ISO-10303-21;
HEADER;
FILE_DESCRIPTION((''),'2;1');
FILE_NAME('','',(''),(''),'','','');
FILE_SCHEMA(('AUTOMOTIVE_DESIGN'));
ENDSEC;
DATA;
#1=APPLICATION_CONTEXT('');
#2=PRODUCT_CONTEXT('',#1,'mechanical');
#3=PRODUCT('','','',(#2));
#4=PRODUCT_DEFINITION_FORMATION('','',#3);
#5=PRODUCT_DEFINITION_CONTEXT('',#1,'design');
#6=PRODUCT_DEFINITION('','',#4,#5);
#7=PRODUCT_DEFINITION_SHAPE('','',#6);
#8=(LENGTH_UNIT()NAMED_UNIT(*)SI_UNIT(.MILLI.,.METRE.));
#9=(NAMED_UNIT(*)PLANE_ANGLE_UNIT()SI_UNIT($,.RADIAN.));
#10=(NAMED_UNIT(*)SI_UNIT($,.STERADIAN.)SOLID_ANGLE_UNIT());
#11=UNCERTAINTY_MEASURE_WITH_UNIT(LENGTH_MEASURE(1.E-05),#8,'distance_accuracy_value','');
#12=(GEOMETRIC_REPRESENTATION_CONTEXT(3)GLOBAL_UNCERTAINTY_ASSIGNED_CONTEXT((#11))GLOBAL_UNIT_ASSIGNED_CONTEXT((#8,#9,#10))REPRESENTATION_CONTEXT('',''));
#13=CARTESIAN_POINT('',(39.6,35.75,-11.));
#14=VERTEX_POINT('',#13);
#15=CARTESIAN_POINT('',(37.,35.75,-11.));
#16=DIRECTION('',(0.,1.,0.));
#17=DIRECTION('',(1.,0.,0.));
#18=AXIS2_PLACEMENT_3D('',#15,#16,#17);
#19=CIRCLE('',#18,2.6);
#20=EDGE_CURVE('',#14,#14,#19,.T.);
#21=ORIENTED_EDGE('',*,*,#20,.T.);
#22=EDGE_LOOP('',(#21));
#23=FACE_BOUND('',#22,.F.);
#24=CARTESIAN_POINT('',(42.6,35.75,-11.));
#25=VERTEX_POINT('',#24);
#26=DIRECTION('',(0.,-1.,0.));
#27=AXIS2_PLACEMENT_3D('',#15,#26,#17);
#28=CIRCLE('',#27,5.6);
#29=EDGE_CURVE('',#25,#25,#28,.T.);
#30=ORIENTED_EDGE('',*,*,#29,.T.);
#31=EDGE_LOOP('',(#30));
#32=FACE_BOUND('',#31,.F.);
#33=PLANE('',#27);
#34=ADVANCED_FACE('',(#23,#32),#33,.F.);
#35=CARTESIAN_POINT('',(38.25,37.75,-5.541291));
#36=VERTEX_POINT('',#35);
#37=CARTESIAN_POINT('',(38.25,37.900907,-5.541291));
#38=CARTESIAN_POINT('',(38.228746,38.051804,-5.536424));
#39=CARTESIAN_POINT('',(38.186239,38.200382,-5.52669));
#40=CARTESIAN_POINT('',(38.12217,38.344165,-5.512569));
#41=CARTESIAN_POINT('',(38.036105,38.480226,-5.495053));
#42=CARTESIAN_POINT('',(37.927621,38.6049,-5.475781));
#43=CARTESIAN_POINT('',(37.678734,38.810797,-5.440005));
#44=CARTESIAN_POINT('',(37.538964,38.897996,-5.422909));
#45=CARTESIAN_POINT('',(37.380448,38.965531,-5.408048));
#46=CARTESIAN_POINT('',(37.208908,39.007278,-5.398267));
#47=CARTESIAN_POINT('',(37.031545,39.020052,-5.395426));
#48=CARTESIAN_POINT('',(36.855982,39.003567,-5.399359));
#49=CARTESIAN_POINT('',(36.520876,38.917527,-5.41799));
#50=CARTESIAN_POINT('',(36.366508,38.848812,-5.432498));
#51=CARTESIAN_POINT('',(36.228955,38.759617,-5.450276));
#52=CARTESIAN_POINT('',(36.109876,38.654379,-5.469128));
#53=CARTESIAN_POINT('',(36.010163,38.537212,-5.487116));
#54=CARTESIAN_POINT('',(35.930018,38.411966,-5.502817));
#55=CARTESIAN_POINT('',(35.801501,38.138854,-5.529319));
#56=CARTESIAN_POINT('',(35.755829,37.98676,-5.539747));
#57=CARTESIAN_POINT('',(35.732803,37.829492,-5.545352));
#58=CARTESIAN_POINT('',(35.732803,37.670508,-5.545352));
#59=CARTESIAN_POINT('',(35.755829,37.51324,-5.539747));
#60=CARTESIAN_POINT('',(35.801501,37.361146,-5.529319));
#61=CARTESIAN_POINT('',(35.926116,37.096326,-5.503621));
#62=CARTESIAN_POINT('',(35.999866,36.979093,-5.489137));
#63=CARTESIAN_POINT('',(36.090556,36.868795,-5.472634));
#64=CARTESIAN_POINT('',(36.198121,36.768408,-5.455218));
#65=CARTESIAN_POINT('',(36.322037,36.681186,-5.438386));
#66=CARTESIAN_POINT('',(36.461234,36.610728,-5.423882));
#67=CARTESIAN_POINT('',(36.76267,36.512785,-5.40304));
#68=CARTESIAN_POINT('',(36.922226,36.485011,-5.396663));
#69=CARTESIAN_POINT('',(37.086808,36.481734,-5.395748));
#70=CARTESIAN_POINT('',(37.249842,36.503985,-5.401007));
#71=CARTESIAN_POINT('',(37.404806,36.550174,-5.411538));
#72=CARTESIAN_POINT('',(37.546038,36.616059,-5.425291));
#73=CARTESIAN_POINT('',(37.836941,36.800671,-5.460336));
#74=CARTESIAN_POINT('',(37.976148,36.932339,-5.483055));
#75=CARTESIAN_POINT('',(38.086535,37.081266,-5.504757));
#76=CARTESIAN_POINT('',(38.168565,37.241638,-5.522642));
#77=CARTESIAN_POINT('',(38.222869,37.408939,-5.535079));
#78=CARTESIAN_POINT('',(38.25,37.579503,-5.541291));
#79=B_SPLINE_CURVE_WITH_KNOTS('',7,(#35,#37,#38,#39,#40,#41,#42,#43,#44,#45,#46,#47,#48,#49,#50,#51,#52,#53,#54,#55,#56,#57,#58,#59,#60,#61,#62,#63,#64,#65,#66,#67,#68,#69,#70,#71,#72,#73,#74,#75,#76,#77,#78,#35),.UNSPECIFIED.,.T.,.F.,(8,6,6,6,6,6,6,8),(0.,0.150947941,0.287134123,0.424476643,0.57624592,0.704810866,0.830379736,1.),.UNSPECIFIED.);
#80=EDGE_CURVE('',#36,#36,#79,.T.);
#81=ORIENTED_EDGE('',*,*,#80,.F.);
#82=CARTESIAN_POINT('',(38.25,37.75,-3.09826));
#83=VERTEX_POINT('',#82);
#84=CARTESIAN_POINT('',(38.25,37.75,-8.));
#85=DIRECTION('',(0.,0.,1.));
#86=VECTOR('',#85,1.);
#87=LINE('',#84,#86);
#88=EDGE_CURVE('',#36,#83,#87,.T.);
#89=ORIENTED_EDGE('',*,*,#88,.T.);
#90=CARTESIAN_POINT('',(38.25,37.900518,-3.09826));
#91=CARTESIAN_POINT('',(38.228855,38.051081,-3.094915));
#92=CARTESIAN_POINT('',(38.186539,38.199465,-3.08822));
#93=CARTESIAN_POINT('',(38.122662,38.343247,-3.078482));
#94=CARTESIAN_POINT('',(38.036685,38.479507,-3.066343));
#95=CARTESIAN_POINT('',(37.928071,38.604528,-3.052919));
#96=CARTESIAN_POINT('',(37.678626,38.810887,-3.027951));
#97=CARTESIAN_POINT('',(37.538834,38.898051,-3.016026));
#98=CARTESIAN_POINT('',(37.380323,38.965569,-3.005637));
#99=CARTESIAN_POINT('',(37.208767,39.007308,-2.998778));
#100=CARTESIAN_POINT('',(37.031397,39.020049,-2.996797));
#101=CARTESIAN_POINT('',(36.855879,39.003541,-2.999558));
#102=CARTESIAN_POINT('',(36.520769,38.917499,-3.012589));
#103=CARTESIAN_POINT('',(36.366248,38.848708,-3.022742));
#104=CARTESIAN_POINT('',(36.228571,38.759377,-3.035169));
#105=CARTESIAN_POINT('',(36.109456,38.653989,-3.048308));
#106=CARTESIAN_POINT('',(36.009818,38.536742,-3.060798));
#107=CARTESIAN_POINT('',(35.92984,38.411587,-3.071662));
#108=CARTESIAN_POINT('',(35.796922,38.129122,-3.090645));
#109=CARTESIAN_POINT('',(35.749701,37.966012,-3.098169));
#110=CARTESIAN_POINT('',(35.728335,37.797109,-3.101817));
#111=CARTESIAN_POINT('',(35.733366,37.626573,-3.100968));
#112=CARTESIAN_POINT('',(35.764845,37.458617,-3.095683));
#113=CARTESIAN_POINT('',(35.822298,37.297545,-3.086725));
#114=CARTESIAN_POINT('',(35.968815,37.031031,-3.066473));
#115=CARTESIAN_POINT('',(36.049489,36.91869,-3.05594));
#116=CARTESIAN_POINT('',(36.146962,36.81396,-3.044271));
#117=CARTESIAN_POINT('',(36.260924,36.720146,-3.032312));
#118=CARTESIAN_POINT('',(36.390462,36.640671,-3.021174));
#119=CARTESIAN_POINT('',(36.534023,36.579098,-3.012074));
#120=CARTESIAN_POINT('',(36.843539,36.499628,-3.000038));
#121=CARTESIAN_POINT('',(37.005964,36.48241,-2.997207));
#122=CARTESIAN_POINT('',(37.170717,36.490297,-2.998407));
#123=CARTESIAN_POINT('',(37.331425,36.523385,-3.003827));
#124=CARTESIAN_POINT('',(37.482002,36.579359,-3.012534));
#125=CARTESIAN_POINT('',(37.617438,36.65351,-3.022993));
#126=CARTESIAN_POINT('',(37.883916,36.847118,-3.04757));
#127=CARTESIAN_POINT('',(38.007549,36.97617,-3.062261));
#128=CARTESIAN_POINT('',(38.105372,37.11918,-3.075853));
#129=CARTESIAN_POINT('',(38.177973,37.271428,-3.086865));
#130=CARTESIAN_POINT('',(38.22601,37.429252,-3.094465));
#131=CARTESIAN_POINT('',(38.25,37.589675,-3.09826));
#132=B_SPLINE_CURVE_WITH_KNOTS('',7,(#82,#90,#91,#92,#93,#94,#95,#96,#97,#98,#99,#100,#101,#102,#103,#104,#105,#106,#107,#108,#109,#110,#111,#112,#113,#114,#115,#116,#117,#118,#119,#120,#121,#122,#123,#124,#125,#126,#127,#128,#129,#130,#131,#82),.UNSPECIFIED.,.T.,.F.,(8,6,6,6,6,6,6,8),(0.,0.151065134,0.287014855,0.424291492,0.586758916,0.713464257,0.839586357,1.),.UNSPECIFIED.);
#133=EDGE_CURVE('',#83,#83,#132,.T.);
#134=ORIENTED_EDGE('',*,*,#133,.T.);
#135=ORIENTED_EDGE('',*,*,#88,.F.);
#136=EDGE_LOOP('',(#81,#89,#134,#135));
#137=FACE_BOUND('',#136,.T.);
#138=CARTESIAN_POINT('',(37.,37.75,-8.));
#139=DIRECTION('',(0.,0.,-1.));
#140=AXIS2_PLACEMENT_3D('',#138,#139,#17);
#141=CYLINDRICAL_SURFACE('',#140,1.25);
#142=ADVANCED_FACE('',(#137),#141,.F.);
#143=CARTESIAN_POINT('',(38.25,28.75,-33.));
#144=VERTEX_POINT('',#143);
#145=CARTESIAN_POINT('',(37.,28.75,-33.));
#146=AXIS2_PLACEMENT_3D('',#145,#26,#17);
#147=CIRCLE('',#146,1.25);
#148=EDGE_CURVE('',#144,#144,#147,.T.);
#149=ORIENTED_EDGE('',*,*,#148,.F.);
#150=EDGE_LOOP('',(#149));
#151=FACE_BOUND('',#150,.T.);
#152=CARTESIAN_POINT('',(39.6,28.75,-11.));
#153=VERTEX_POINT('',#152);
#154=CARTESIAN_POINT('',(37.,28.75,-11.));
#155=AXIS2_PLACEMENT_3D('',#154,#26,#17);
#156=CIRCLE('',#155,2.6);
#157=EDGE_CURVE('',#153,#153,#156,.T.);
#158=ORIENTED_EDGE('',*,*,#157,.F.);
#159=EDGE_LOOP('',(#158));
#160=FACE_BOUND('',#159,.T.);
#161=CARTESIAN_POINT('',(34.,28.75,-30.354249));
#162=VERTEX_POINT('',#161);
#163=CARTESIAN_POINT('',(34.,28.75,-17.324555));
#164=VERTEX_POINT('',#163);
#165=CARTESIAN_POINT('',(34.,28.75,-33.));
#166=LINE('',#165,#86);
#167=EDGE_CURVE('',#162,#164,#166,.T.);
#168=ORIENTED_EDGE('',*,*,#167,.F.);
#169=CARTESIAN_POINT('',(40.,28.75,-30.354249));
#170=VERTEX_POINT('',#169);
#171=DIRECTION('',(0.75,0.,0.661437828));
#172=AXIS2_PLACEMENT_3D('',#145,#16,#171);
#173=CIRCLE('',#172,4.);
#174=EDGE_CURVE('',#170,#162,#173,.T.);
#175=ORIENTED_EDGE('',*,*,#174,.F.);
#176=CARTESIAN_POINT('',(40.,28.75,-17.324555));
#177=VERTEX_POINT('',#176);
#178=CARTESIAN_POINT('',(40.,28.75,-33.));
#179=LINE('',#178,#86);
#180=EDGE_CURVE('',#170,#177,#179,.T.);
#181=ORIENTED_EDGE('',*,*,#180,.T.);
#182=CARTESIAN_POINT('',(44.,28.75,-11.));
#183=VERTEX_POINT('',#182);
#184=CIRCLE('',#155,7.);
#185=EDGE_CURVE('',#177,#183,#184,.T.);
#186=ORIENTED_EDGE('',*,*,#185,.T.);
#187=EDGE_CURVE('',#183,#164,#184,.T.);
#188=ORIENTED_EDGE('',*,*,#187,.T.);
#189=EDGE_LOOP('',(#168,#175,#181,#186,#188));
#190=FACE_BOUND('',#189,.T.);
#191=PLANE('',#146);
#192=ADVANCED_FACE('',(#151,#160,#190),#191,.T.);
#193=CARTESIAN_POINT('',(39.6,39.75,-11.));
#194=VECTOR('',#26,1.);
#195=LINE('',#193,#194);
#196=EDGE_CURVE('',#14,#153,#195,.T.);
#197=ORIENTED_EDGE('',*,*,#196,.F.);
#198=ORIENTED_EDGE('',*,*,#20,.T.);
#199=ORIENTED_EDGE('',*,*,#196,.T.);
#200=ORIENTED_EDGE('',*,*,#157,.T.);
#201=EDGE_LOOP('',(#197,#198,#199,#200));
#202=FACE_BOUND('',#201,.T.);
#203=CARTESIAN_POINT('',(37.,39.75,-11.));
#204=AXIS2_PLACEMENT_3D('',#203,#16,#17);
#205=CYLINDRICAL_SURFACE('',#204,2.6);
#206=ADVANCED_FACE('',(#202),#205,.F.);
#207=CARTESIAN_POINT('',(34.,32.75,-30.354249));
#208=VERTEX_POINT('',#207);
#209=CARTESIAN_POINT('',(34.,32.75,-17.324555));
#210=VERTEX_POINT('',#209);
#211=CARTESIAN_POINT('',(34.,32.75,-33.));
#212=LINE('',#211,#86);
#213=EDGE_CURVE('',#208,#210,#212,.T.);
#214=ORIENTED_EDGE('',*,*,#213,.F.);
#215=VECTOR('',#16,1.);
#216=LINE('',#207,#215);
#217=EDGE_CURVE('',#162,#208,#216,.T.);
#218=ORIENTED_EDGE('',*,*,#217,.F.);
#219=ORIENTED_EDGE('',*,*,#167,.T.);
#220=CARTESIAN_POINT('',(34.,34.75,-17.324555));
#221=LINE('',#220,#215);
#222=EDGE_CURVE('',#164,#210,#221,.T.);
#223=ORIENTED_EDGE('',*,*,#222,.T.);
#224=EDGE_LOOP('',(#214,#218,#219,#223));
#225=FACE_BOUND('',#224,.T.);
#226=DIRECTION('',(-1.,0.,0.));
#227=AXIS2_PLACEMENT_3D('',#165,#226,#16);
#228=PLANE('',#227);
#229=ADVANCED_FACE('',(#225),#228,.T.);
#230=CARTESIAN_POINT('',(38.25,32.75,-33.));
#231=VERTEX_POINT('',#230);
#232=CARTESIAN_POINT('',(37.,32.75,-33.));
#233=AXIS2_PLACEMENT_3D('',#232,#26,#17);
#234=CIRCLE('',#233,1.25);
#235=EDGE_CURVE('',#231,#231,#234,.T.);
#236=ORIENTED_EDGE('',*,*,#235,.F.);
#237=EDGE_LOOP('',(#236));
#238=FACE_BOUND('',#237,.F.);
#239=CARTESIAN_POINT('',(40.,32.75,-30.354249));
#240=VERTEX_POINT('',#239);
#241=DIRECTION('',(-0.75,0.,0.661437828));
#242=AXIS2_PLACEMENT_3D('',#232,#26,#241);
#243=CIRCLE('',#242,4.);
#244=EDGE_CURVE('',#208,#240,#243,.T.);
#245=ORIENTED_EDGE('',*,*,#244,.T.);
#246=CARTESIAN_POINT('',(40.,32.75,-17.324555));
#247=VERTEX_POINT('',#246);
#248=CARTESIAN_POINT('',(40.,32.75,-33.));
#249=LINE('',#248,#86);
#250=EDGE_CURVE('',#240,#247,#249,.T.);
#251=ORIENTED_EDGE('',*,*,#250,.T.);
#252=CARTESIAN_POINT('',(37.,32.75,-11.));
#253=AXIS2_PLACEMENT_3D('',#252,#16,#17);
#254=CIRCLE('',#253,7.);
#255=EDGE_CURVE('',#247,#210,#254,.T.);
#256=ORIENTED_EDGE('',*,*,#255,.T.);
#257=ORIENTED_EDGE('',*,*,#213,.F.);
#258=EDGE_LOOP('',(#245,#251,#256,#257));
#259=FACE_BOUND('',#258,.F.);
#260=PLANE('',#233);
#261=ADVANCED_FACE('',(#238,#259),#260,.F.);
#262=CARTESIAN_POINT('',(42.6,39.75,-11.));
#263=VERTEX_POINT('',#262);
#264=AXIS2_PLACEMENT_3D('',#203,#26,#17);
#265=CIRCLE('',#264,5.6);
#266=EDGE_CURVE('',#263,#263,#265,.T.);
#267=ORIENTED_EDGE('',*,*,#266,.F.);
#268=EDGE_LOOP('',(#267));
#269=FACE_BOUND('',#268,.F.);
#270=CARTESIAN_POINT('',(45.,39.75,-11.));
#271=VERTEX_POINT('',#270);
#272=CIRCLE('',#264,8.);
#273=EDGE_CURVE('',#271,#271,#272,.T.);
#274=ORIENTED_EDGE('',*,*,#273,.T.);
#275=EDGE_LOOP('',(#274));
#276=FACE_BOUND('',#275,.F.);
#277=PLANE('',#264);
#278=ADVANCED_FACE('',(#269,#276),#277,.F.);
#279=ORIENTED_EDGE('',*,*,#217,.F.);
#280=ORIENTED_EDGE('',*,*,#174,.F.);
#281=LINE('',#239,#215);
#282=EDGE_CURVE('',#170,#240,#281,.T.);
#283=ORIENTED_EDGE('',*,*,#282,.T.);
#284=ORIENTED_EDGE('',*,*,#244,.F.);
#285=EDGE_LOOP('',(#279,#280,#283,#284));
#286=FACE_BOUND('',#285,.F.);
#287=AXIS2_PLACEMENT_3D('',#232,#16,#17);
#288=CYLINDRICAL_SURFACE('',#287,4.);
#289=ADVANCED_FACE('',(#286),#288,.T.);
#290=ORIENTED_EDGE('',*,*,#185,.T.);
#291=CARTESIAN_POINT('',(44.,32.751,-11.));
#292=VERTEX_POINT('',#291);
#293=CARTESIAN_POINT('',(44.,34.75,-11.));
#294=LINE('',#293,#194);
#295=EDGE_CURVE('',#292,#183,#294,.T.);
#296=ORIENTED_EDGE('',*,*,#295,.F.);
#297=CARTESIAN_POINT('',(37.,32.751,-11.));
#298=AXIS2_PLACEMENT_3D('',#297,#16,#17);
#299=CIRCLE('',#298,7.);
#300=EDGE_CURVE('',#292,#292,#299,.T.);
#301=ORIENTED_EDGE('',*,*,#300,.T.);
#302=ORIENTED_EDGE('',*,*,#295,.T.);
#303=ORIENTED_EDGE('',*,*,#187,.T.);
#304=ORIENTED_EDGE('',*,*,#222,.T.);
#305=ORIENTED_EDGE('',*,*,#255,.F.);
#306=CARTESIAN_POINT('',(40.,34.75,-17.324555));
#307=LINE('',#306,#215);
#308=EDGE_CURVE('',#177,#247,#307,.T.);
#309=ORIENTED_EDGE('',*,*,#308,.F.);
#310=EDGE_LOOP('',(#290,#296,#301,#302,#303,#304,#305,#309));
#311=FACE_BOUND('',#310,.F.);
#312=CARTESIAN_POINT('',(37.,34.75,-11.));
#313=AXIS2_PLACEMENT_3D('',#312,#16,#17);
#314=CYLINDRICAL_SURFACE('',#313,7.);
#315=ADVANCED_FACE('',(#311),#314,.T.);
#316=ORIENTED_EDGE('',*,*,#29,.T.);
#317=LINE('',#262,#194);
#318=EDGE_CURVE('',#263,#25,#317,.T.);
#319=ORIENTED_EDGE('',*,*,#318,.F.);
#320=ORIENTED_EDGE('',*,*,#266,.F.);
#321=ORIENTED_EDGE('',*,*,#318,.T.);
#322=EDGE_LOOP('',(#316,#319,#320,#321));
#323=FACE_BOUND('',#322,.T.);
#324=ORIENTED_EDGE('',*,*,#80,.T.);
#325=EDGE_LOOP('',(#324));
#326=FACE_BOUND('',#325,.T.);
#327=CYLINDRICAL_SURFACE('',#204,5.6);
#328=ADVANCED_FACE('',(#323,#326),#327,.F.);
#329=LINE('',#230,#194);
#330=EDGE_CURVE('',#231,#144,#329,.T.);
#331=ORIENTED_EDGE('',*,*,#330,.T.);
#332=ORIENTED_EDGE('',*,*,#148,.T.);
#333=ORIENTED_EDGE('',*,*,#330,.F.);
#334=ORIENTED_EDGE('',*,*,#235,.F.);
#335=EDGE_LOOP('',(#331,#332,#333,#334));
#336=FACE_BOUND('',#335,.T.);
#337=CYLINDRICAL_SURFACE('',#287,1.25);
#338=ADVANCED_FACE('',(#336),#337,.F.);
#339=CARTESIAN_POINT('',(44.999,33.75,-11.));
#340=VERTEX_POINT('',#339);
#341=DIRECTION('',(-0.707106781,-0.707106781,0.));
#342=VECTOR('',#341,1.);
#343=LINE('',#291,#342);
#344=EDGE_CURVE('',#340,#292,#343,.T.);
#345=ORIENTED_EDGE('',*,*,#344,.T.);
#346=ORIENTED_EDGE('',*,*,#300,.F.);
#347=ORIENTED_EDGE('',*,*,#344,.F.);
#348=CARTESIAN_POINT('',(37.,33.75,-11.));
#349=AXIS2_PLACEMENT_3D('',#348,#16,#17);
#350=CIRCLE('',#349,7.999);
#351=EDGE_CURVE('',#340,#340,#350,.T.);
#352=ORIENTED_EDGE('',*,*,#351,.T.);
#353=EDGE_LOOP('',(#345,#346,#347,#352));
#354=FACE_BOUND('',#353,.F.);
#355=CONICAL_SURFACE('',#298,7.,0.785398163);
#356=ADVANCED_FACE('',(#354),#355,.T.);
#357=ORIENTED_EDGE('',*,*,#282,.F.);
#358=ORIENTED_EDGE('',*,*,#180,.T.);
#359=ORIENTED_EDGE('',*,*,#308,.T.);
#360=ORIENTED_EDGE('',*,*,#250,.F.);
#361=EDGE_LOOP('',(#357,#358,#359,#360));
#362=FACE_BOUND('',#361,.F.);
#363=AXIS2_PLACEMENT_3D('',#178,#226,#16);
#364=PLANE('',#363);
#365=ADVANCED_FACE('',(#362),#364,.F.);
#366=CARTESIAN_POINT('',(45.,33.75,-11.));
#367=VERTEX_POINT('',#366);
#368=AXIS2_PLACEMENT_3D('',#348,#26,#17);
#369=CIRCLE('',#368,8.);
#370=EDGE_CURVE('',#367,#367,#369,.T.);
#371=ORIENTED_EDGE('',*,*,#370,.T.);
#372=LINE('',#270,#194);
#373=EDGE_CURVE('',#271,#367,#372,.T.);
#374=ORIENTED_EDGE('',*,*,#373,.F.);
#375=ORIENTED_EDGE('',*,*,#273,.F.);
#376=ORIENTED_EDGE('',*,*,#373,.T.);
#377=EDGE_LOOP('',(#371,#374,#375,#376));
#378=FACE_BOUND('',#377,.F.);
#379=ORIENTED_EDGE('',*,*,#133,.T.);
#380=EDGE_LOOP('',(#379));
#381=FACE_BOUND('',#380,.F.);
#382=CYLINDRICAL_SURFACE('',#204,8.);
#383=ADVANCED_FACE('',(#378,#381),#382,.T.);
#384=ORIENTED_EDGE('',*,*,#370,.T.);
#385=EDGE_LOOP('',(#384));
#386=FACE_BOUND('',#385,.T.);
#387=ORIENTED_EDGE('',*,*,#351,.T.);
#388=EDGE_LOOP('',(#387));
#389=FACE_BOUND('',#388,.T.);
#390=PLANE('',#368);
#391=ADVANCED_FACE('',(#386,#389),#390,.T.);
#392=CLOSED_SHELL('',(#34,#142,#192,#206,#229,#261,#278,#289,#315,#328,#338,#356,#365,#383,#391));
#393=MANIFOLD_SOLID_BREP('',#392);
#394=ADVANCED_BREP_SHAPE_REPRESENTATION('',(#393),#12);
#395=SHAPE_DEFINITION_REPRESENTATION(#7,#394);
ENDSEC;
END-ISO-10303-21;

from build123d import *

# Parameters (mm, degrees)
CYLINDER968_R          = 1.25
CYLINDER968_DEPTH      = 4
CYLINDER968_ROLL_ANGLE = 90
CYLINDER972_R          = 1.25
CYLINDER972_DEPTH      = 7
CYLINDER970_R          = 2.6
CYLINDER970_DEPTH      = 11
CYLINDER970_ROLL_ANGLE = 90
CYLINDER969_R          = 5.6
CYLINDER969_DEPTH      = 4
CYLINDER969_ROLL_ANGLE = 90
CYLINDER971_R          = 8
CYLINDER971_DEPTH      = 6
CYLINDER971_ROLL_ANGLE = 90
CYLINDER964_R          = 7
CYLINDER964_DEPTH      = 6
CYLINDER964_ROLL_ANGLE = 90
CYLINDER965_R          = 4
CYLINDER965_DEPTH      = 4
CYLINDER965_ROLL_ANGLE = 90
BOX564_W               = 6
BOX564_H               = 4
BOX564_DEPTH           = 22
CHAMFER105_SIZE        = 0.999


with BuildPart() as cylinder1140:
    # Cylinder968 → Cylinder968 (new body)
    with BuildSketch(Plane.XY):
        Circle(CYLINDER968_R)
    extrude(amount=CYLINDER968_DEPTH)


with BuildPart() as cylinder1140_1:
    # Cylinder968 roll: moved
    add(cylinder1140.part.rotate(Axis((0, 0, 0), (1, 0, 0)), CYLINDER968_ROLL_ANGLE))


with BuildPart() as cylinder1140_2:
    # Cylinder968 placement: moved
    add(cylinder1140_1.part.moved(Location((37, 32.75, -33))))


with BuildPart() as cylinder1144:
    # Cylinder972 → Cylinder972 (new body)
    with BuildSketch(Plane(origin=(37, 37.75, -8), x_dir=(1, 0, 0), z_dir=(0, 0, 1))):
        Circle(CYLINDER972_R)
    extrude(amount=CYLINDER972_DEPTH)


with BuildPart() as cylinder1142:
    # Cylinder970 → Cylinder970 (new body)
    with BuildSketch(Plane.XY):
        Circle(CYLINDER970_R)
    extrude(amount=CYLINDER970_DEPTH)


with BuildPart() as cylinder1142_1:
    # Cylinder970 roll: moved
    add(cylinder1142.part.rotate(Axis((0, 0, 0), (1, 0, 0)), CYLINDER970_ROLL_ANGLE))


with BuildPart() as cylinder1142_2:
    # Cylinder970 placement: moved
    add(cylinder1142_1.part.moved(Location((37, 39.75, -11))))


with BuildPart() as fusion607:
    # Cylinder969 → Cylinder969 (new body)
    with BuildSketch(Plane.XY):
        Circle(CYLINDER969_R)
    extrude(amount=CYLINDER969_DEPTH)


with BuildPart() as fusion607_1:
    # Cylinder969 roll: moved
    add(fusion607.part.rotate(Axis((0, 0, 0), (1, 0, 0)), CYLINDER969_ROLL_ANGLE))


with BuildPart() as fusion607_2:
    # Cylinder969 placement: moved
    add(fusion607_1.part.moved(Location((37, 39.75, -11))))

    # Fusion607: union Cylinder1140, Cylinder1144, Cylinder1142
    add(cylinder1140_2.part)
    add(cylinder1144.part)
    add(cylinder1142_2.part)


with BuildPart() as cylinder1143:
    # Cylinder971 → Cylinder971 (new body)
    with BuildSketch(Plane.XY):
        Circle(CYLINDER971_R)
    extrude(amount=CYLINDER971_DEPTH)


with BuildPart() as cylinder1143_1:
    # Cylinder971 roll: moved
    add(cylinder1143.part.rotate(Axis((0, 0, 0), (1, 0, 0)), CYLINDER971_ROLL_ANGLE))


with BuildPart() as cylinder1143_2:
    # Cylinder971 placement: moved
    add(cylinder1143_1.part.moved(Location((37, 39.75, -11))))


with BuildPart() as cylinder1136:
    # Cylinder964 → Cylinder964 (new body)
    with BuildSketch(Plane.XY):
        Circle(CYLINDER964_R)
    extrude(amount=CYLINDER964_DEPTH)


with BuildPart() as cylinder1136_1:
    # Cylinder964 roll: moved
    add(cylinder1136.part.rotate(Axis((0, 0, 0), (1, 0, 0)), CYLINDER964_ROLL_ANGLE))


with BuildPart() as cylinder1136_2:
    # Cylinder964 placement: moved
    add(cylinder1136_1.part.moved(Location((37, 39.75, -11))))


with BuildPart() as cylinder1137:
    # Cylinder965 → Cylinder965 (new body)
    with BuildSketch(Plane.XY):
        Circle(CYLINDER965_R)
    extrude(amount=CYLINDER965_DEPTH)


with BuildPart() as cylinder1137_1:
    # Cylinder965 roll: moved
    add(cylinder1137.part.rotate(Axis((0, 0, 0), (1, 0, 0)), CYLINDER965_ROLL_ANGLE))


with BuildPart() as cylinder1137_2:
    # Cylinder965 placement: moved
    add(cylinder1137_1.part.moved(Location((37, 37.75, -33))))


with BuildPart() as front_axle_steering_arm:
    # Box564 → Box564 (new body)
    with BuildSketch(Plane(origin=(34, 33.75, -33), x_dir=(1, 0, 0), z_dir=(0, 0, 1))):
        with Locations((3, 2)):
            Rectangle(BOX564_W, BOX564_H)
    extrude(amount=BOX564_DEPTH)

    # Fusion608: union Cylinder1136, Cylinder1137
    add(cylinder1136_2.part)
    add(cylinder1137_2.part)


with BuildPart() as front_axle_steering_arm_1:
    # Fusion608 placement: moved
    add(front_axle_steering_arm.part.moved(Location((0, -5, 0))))

    # Fusion609: union Cylinder1143
    add(cylinder1143_2.part)

    # Cut703: cut Fusion607
    add(fusion607_2.part, mode=Mode.SUBTRACT)

    # Chamfer105
    chamfer105_edges = [front_axle_steering_arm_1.edges().sort_by_distance(p)[0] for p in [
        (30, 33.75, -11),
    ]]
    chamfer(chamfer105_edges, length=CHAMFER105_SIZE)


solid = front_axle_steering_arm_1.part
